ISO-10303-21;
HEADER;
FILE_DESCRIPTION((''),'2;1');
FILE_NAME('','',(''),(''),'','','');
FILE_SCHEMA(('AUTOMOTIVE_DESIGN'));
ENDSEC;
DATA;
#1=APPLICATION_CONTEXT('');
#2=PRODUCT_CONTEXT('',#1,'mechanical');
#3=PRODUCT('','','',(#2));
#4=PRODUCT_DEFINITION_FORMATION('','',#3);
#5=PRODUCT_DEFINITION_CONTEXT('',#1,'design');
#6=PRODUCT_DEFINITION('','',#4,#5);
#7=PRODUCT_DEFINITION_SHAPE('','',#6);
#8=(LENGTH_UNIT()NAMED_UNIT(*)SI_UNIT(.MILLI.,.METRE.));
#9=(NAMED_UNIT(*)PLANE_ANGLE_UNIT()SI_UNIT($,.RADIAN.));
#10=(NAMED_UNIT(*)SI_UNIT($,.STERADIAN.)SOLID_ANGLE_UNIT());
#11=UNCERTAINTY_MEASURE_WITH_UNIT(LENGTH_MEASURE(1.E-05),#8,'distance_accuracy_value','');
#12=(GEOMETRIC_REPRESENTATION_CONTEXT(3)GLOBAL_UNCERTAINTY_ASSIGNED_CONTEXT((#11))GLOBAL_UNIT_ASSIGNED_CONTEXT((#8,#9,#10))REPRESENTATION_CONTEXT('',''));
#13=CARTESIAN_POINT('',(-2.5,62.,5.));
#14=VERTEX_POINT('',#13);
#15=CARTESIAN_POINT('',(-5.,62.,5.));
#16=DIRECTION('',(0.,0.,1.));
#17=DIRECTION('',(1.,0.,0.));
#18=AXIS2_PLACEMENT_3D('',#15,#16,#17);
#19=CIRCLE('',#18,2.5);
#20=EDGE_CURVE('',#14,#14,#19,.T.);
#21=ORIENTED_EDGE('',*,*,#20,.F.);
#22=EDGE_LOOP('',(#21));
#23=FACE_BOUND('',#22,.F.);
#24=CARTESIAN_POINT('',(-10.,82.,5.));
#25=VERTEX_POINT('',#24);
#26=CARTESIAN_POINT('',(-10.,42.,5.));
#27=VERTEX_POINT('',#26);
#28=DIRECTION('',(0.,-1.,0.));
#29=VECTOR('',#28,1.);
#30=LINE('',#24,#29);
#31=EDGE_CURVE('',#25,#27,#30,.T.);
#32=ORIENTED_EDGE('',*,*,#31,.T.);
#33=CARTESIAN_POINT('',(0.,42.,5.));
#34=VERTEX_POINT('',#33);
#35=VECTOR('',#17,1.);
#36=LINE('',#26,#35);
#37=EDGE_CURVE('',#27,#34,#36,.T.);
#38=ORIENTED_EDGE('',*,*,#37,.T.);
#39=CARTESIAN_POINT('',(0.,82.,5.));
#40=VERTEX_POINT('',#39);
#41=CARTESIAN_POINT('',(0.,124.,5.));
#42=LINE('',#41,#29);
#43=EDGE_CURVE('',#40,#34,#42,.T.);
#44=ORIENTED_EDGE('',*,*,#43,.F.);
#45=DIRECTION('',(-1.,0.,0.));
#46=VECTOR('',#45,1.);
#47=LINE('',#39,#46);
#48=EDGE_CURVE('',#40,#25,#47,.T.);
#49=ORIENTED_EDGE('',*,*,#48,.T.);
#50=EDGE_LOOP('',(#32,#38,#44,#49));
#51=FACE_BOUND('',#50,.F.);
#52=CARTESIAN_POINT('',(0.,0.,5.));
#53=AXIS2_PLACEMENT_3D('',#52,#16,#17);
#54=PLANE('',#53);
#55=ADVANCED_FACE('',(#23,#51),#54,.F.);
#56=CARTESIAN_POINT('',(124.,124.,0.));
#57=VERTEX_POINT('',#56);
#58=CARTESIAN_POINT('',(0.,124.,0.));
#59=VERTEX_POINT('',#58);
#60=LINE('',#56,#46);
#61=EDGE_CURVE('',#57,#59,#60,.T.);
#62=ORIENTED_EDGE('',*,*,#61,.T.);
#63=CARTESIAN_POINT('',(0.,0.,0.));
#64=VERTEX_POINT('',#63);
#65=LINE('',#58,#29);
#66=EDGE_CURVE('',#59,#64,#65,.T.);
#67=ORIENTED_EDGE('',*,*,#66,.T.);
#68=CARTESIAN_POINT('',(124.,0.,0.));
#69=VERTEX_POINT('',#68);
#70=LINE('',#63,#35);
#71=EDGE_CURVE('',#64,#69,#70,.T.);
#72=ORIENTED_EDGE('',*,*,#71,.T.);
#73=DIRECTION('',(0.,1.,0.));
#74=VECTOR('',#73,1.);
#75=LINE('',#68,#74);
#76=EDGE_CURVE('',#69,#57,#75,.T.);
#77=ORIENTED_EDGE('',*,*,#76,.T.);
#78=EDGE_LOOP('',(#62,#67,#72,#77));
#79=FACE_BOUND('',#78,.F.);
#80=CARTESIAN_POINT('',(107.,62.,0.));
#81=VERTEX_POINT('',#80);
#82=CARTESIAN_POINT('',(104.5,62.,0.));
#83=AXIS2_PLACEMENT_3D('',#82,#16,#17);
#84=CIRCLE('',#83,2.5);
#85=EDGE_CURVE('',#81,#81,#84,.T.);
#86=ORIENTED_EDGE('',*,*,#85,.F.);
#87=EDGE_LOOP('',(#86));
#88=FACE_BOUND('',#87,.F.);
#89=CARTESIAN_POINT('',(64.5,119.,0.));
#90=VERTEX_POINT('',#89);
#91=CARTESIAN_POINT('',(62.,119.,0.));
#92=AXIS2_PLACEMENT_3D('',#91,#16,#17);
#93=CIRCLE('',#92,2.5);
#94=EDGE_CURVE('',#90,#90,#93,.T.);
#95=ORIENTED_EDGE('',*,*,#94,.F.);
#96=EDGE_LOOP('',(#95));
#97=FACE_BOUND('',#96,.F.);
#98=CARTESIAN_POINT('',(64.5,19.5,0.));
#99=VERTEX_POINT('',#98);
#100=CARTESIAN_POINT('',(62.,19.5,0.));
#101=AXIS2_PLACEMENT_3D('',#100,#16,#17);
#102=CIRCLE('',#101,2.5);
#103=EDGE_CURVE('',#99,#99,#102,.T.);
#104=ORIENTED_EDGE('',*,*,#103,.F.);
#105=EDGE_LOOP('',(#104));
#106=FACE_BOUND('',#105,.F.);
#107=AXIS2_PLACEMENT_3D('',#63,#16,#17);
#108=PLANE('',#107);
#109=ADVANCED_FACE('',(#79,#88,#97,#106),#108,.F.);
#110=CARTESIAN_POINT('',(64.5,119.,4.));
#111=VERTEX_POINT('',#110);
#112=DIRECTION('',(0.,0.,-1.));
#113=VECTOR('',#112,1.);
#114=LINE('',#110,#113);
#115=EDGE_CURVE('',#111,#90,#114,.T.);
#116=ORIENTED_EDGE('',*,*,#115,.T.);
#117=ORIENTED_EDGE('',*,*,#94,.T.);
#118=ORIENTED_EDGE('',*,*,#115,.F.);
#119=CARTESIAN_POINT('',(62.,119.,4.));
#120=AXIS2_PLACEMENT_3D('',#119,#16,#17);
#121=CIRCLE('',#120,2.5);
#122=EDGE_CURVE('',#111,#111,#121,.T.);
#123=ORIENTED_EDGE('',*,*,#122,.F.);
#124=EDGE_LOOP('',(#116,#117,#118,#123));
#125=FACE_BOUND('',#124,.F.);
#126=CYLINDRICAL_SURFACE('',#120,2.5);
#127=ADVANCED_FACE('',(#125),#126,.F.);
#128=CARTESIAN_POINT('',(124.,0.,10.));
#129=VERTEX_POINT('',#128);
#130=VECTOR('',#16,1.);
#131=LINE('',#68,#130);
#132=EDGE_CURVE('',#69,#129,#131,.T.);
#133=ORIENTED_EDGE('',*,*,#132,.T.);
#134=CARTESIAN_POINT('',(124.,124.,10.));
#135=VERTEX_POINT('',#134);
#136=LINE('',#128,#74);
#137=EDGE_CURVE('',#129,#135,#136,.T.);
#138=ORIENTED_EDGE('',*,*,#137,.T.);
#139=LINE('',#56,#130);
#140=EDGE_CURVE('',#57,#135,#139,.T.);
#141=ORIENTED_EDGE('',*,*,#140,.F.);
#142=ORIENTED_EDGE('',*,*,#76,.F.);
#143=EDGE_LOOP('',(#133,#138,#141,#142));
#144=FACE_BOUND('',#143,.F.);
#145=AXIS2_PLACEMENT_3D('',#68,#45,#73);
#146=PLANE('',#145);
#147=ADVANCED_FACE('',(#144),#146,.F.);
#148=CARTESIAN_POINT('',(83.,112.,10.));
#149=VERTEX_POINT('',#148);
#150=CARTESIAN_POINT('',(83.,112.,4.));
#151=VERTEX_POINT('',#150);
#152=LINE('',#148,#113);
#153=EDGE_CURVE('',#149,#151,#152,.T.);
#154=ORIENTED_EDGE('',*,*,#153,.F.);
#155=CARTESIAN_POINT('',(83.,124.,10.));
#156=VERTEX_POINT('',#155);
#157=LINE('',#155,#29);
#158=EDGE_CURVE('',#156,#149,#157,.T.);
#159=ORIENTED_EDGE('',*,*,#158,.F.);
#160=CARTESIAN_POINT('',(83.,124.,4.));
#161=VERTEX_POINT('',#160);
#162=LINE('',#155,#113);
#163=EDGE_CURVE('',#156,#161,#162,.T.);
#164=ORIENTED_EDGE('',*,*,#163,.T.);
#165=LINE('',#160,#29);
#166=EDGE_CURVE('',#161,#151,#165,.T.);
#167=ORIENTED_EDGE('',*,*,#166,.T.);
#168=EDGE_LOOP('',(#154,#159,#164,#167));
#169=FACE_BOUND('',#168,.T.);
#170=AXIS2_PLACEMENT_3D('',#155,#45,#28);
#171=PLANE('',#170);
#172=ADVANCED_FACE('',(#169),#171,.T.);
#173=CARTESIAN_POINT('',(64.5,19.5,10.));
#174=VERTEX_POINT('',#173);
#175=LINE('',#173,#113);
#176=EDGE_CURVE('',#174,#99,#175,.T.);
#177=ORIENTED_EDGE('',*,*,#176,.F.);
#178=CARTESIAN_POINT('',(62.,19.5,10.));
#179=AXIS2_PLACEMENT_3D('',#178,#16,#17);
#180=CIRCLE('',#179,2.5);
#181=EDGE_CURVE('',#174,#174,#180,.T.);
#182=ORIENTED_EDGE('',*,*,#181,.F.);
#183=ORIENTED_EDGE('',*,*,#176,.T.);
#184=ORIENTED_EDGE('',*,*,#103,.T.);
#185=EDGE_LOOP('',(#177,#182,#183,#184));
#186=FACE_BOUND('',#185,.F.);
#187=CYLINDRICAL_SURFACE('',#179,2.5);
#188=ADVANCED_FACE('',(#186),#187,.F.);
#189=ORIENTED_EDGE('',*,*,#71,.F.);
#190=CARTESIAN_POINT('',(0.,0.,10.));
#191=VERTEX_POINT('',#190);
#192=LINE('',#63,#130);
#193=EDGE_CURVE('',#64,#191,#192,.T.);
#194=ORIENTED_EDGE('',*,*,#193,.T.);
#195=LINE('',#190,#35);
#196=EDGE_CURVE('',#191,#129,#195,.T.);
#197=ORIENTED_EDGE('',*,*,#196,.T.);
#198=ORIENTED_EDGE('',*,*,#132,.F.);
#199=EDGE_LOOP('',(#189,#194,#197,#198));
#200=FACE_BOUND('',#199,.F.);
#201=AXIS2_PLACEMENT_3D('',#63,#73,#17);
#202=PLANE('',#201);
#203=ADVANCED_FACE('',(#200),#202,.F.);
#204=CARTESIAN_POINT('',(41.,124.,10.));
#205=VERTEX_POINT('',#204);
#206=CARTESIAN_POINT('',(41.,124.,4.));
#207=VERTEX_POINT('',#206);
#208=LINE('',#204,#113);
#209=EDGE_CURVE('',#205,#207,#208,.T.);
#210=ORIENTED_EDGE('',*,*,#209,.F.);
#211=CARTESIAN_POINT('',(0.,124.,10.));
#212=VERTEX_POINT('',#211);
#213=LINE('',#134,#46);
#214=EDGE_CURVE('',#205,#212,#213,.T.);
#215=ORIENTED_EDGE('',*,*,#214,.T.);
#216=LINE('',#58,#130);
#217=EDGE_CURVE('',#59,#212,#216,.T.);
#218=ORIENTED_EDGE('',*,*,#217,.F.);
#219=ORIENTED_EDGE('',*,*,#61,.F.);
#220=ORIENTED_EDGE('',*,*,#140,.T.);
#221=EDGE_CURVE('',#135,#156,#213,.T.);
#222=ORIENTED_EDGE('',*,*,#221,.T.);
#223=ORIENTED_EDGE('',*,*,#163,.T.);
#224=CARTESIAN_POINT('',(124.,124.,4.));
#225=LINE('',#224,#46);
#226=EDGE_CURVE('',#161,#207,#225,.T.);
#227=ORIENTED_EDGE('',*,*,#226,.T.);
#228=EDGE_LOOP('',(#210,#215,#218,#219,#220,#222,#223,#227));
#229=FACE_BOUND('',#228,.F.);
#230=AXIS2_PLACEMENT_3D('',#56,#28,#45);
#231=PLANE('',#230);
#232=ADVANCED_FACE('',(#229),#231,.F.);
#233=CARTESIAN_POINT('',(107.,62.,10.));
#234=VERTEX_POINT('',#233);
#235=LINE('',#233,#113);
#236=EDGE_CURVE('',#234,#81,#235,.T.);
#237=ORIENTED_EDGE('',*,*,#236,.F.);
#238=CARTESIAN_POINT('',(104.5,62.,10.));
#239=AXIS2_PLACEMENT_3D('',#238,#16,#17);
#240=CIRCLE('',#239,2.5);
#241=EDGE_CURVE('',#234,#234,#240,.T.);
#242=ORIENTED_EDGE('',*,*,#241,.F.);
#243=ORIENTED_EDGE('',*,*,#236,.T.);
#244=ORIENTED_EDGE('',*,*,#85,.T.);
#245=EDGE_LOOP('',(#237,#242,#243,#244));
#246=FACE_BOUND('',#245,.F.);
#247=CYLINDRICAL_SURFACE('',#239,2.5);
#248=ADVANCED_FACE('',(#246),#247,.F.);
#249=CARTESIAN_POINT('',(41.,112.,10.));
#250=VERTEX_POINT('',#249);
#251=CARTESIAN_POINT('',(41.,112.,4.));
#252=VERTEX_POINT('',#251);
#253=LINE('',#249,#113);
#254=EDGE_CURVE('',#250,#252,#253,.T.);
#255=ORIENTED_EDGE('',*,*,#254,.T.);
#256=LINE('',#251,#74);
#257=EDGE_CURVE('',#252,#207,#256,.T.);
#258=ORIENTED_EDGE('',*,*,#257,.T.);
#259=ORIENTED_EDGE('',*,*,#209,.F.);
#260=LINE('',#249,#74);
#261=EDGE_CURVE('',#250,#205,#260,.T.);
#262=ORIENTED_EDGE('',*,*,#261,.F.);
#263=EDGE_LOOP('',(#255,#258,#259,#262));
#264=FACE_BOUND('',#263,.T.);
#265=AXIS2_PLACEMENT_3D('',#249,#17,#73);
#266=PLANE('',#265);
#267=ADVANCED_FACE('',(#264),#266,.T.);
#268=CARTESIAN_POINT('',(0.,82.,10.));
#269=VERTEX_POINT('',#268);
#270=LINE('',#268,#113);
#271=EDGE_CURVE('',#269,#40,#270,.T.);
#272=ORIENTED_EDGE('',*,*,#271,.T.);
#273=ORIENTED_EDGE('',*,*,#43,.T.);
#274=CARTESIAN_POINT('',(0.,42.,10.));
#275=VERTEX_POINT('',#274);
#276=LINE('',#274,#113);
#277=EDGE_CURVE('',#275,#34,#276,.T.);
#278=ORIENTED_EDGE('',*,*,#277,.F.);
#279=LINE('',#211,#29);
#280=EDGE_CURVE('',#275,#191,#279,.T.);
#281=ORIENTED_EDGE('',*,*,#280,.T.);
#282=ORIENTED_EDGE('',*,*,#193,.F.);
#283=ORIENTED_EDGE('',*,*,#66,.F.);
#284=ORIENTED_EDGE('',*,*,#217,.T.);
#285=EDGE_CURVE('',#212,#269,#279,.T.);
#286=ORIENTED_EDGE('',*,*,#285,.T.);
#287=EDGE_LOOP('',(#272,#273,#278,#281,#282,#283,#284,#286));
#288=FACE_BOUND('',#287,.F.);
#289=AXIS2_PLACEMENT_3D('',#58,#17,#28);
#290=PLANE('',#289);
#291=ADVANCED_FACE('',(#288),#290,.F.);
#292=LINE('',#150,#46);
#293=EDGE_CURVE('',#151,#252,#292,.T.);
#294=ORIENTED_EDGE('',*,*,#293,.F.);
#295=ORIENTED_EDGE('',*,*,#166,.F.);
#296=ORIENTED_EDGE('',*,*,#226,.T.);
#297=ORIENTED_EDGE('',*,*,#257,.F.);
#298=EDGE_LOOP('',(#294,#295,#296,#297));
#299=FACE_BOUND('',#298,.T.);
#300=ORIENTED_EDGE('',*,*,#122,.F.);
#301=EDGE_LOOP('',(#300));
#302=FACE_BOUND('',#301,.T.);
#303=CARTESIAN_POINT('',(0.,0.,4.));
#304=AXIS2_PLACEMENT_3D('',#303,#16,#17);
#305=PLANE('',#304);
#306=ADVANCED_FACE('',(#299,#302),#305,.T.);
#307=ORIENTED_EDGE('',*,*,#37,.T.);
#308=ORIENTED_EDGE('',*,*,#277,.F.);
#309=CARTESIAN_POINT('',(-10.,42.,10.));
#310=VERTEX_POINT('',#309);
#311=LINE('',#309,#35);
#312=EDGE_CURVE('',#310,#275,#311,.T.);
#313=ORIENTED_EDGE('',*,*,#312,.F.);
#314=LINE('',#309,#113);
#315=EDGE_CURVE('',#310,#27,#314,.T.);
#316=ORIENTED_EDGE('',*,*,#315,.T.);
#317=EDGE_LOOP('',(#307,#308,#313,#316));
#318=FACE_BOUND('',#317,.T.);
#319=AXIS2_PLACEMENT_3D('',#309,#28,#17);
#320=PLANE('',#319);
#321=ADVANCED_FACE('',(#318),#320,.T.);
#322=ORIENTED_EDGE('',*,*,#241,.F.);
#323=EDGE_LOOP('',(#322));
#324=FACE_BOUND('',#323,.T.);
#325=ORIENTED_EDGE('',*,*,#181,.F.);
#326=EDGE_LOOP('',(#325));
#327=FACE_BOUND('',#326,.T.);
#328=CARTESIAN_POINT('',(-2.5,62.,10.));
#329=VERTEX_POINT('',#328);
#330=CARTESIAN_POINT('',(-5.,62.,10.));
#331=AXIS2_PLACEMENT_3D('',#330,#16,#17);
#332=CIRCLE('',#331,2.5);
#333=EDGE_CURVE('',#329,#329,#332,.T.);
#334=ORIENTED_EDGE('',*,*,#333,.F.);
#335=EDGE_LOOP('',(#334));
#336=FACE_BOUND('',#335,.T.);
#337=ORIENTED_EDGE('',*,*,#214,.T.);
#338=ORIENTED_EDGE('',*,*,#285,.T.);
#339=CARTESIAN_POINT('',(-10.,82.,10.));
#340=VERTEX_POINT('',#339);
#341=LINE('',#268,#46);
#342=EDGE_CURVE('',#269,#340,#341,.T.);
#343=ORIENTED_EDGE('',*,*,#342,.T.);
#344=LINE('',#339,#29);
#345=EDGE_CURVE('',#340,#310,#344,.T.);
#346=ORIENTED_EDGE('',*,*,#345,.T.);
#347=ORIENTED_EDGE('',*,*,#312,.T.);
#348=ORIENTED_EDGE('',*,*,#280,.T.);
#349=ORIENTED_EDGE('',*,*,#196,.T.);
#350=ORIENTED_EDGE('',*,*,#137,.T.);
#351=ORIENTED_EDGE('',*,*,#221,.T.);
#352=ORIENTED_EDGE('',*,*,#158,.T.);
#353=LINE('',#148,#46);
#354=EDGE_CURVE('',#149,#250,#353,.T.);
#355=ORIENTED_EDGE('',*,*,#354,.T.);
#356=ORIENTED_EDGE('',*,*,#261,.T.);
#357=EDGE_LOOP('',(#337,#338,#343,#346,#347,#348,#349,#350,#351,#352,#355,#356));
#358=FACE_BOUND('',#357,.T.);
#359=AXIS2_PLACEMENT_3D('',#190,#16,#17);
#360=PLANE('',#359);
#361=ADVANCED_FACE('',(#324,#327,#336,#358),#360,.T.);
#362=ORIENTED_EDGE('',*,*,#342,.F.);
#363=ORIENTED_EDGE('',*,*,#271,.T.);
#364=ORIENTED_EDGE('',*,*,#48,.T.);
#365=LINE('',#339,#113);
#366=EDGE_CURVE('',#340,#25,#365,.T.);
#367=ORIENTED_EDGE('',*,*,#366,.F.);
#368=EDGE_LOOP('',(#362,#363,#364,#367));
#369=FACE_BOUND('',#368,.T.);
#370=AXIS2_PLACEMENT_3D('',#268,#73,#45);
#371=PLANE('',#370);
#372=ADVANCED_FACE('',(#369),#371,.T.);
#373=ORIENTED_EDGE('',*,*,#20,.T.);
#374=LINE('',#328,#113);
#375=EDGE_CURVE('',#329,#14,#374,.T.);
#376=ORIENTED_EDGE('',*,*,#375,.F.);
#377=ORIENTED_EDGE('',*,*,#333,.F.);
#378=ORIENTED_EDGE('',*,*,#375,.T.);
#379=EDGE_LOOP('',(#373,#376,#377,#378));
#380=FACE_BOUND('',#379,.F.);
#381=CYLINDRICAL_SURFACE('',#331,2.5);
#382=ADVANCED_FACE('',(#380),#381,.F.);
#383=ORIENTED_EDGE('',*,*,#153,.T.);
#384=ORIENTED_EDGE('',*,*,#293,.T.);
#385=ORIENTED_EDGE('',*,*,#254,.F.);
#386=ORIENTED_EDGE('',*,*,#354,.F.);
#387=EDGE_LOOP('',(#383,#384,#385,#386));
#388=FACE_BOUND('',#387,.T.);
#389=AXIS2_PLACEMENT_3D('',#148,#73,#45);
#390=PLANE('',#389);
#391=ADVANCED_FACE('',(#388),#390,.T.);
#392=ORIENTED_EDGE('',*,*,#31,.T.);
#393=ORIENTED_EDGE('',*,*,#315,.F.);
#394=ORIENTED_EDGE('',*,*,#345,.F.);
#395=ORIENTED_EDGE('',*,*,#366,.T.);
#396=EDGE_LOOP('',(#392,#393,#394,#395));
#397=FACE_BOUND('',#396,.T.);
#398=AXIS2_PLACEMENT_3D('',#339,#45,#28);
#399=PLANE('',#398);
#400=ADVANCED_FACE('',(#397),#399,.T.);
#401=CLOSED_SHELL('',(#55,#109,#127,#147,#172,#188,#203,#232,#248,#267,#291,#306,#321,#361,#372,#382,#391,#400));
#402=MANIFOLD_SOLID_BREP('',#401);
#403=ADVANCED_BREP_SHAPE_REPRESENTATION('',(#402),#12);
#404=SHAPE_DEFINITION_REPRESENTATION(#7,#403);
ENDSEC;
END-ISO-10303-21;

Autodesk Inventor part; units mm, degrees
ref_plane "YZ Plane" through (0, 0, 0) normal (1, 0, 0) x (0, 1, 0)
ref_plane "XZ Plane" through (0, 0, 0) normal (0, 1, 0) x (-1, 0, 0)
ref_plane "XY Plane" through (0, 0, 0) normal (0, 0, 1) x (1, 0, 0)
sketch "Sketch1" plane through (0, 0, 0) normal (0, 0, 1) x (1, 0, 0)
  line L0 (0, 0) -> (124, 0)
  line L1 (124, 0) -> (124, 124)
  line L2 (124, 124) -> (0, 124)
  line L3 (0, 124) -> (0, 0)
  dimension "d0" = 124
  dimension "d1" = 124
extrude "Extrusion1" add sketch "Sketch1" along normal blind 10
sketch "Sketch2" plane through (0, 0, 10) normal (0, 0, 1) x (1, 0, 0)
  line L0 (124, 124) -> (0, 124) projected
  line L1 (41, 124) -> (83, 124)
  line L2 (83, 124) -> (83, 112)
  line L3 (83, 112) -> (41, 112)
  line L4 (41, 112) -> (41, 124)
  point P0 (0, 0)
  point P1 (62, 112)
  point P2 (62, 124)
  dimension "d4" = 42
  dimension "d5" = 12
extrude "Extrusion2" cut sketch "Sketch2" against normal blind 6
sketch "Sketch3" plane through (0, 0, 4) normal (0, 0, 1) x (1, 0, 0)
  circle A0 centre (62, 119) radius 2.5
  line L0 (41, 124) -> (83, 124) construction
  line L1 (41, 112) -> (41, 124) construction
  line L2 (83, 112) -> (41, 112) construction
  line L3 (83, 124) -> (83, 112) construction
  point P0 (0, 0)
  point P1 (62, 124)
  point P2 (83, 118)
  dimension "d8" = 5
  dimension "d22" = 5
extrude "Extrusion3" cut sketch "Sketch3" against normal through all
sketch "Sketch4" plane through (0, 0, 10) normal (0, 0, 1) x (1, 0, 0)
  line L0 (0, 124) -> (0, 0) projected
  line L1 (0, 82) -> (-10, 82)
  line L2 (-10, 82) -> (-10, 42)
  line L3 (-10, 42) -> (0, 42)
  line L4 (0, 42) -> (0, 82)
  circle A0 centre (-5, 62) radius 2.5
  point P0 (-10, 62)
  point P1 (0, 62)
  point P2 (-5, 82)
  dimension "d11" = 10
  dimension "d12" = 40
  dimension "d13" = 5
extrude "Extrusion4" add sketch "Sketch4" against normal blind 5
sketch "Sketch5" plane through (0, 0, 10) normal (0, 0, 1) x (1, 0, 0)
  circle A0 centre (62, 19.5) radius 2.5
  line L0 (0, 0) -> (124, 0) projected
  circle A1 centre (104.5, 62) radius 2.5
  line L1 (124, 0) -> (124, 124) projected
  point P0 (62, 0)
  point P1 (124, 62)
  dimension "d16" = 5
  dimension "d17" = 19.5
  dimension "d18" = 5
  dimension "d19" = 19.5
extrude "Extrusion5" cut sketch "Sketch5" against normal through all
properties part number "TC001" material "ABS Plastic"
